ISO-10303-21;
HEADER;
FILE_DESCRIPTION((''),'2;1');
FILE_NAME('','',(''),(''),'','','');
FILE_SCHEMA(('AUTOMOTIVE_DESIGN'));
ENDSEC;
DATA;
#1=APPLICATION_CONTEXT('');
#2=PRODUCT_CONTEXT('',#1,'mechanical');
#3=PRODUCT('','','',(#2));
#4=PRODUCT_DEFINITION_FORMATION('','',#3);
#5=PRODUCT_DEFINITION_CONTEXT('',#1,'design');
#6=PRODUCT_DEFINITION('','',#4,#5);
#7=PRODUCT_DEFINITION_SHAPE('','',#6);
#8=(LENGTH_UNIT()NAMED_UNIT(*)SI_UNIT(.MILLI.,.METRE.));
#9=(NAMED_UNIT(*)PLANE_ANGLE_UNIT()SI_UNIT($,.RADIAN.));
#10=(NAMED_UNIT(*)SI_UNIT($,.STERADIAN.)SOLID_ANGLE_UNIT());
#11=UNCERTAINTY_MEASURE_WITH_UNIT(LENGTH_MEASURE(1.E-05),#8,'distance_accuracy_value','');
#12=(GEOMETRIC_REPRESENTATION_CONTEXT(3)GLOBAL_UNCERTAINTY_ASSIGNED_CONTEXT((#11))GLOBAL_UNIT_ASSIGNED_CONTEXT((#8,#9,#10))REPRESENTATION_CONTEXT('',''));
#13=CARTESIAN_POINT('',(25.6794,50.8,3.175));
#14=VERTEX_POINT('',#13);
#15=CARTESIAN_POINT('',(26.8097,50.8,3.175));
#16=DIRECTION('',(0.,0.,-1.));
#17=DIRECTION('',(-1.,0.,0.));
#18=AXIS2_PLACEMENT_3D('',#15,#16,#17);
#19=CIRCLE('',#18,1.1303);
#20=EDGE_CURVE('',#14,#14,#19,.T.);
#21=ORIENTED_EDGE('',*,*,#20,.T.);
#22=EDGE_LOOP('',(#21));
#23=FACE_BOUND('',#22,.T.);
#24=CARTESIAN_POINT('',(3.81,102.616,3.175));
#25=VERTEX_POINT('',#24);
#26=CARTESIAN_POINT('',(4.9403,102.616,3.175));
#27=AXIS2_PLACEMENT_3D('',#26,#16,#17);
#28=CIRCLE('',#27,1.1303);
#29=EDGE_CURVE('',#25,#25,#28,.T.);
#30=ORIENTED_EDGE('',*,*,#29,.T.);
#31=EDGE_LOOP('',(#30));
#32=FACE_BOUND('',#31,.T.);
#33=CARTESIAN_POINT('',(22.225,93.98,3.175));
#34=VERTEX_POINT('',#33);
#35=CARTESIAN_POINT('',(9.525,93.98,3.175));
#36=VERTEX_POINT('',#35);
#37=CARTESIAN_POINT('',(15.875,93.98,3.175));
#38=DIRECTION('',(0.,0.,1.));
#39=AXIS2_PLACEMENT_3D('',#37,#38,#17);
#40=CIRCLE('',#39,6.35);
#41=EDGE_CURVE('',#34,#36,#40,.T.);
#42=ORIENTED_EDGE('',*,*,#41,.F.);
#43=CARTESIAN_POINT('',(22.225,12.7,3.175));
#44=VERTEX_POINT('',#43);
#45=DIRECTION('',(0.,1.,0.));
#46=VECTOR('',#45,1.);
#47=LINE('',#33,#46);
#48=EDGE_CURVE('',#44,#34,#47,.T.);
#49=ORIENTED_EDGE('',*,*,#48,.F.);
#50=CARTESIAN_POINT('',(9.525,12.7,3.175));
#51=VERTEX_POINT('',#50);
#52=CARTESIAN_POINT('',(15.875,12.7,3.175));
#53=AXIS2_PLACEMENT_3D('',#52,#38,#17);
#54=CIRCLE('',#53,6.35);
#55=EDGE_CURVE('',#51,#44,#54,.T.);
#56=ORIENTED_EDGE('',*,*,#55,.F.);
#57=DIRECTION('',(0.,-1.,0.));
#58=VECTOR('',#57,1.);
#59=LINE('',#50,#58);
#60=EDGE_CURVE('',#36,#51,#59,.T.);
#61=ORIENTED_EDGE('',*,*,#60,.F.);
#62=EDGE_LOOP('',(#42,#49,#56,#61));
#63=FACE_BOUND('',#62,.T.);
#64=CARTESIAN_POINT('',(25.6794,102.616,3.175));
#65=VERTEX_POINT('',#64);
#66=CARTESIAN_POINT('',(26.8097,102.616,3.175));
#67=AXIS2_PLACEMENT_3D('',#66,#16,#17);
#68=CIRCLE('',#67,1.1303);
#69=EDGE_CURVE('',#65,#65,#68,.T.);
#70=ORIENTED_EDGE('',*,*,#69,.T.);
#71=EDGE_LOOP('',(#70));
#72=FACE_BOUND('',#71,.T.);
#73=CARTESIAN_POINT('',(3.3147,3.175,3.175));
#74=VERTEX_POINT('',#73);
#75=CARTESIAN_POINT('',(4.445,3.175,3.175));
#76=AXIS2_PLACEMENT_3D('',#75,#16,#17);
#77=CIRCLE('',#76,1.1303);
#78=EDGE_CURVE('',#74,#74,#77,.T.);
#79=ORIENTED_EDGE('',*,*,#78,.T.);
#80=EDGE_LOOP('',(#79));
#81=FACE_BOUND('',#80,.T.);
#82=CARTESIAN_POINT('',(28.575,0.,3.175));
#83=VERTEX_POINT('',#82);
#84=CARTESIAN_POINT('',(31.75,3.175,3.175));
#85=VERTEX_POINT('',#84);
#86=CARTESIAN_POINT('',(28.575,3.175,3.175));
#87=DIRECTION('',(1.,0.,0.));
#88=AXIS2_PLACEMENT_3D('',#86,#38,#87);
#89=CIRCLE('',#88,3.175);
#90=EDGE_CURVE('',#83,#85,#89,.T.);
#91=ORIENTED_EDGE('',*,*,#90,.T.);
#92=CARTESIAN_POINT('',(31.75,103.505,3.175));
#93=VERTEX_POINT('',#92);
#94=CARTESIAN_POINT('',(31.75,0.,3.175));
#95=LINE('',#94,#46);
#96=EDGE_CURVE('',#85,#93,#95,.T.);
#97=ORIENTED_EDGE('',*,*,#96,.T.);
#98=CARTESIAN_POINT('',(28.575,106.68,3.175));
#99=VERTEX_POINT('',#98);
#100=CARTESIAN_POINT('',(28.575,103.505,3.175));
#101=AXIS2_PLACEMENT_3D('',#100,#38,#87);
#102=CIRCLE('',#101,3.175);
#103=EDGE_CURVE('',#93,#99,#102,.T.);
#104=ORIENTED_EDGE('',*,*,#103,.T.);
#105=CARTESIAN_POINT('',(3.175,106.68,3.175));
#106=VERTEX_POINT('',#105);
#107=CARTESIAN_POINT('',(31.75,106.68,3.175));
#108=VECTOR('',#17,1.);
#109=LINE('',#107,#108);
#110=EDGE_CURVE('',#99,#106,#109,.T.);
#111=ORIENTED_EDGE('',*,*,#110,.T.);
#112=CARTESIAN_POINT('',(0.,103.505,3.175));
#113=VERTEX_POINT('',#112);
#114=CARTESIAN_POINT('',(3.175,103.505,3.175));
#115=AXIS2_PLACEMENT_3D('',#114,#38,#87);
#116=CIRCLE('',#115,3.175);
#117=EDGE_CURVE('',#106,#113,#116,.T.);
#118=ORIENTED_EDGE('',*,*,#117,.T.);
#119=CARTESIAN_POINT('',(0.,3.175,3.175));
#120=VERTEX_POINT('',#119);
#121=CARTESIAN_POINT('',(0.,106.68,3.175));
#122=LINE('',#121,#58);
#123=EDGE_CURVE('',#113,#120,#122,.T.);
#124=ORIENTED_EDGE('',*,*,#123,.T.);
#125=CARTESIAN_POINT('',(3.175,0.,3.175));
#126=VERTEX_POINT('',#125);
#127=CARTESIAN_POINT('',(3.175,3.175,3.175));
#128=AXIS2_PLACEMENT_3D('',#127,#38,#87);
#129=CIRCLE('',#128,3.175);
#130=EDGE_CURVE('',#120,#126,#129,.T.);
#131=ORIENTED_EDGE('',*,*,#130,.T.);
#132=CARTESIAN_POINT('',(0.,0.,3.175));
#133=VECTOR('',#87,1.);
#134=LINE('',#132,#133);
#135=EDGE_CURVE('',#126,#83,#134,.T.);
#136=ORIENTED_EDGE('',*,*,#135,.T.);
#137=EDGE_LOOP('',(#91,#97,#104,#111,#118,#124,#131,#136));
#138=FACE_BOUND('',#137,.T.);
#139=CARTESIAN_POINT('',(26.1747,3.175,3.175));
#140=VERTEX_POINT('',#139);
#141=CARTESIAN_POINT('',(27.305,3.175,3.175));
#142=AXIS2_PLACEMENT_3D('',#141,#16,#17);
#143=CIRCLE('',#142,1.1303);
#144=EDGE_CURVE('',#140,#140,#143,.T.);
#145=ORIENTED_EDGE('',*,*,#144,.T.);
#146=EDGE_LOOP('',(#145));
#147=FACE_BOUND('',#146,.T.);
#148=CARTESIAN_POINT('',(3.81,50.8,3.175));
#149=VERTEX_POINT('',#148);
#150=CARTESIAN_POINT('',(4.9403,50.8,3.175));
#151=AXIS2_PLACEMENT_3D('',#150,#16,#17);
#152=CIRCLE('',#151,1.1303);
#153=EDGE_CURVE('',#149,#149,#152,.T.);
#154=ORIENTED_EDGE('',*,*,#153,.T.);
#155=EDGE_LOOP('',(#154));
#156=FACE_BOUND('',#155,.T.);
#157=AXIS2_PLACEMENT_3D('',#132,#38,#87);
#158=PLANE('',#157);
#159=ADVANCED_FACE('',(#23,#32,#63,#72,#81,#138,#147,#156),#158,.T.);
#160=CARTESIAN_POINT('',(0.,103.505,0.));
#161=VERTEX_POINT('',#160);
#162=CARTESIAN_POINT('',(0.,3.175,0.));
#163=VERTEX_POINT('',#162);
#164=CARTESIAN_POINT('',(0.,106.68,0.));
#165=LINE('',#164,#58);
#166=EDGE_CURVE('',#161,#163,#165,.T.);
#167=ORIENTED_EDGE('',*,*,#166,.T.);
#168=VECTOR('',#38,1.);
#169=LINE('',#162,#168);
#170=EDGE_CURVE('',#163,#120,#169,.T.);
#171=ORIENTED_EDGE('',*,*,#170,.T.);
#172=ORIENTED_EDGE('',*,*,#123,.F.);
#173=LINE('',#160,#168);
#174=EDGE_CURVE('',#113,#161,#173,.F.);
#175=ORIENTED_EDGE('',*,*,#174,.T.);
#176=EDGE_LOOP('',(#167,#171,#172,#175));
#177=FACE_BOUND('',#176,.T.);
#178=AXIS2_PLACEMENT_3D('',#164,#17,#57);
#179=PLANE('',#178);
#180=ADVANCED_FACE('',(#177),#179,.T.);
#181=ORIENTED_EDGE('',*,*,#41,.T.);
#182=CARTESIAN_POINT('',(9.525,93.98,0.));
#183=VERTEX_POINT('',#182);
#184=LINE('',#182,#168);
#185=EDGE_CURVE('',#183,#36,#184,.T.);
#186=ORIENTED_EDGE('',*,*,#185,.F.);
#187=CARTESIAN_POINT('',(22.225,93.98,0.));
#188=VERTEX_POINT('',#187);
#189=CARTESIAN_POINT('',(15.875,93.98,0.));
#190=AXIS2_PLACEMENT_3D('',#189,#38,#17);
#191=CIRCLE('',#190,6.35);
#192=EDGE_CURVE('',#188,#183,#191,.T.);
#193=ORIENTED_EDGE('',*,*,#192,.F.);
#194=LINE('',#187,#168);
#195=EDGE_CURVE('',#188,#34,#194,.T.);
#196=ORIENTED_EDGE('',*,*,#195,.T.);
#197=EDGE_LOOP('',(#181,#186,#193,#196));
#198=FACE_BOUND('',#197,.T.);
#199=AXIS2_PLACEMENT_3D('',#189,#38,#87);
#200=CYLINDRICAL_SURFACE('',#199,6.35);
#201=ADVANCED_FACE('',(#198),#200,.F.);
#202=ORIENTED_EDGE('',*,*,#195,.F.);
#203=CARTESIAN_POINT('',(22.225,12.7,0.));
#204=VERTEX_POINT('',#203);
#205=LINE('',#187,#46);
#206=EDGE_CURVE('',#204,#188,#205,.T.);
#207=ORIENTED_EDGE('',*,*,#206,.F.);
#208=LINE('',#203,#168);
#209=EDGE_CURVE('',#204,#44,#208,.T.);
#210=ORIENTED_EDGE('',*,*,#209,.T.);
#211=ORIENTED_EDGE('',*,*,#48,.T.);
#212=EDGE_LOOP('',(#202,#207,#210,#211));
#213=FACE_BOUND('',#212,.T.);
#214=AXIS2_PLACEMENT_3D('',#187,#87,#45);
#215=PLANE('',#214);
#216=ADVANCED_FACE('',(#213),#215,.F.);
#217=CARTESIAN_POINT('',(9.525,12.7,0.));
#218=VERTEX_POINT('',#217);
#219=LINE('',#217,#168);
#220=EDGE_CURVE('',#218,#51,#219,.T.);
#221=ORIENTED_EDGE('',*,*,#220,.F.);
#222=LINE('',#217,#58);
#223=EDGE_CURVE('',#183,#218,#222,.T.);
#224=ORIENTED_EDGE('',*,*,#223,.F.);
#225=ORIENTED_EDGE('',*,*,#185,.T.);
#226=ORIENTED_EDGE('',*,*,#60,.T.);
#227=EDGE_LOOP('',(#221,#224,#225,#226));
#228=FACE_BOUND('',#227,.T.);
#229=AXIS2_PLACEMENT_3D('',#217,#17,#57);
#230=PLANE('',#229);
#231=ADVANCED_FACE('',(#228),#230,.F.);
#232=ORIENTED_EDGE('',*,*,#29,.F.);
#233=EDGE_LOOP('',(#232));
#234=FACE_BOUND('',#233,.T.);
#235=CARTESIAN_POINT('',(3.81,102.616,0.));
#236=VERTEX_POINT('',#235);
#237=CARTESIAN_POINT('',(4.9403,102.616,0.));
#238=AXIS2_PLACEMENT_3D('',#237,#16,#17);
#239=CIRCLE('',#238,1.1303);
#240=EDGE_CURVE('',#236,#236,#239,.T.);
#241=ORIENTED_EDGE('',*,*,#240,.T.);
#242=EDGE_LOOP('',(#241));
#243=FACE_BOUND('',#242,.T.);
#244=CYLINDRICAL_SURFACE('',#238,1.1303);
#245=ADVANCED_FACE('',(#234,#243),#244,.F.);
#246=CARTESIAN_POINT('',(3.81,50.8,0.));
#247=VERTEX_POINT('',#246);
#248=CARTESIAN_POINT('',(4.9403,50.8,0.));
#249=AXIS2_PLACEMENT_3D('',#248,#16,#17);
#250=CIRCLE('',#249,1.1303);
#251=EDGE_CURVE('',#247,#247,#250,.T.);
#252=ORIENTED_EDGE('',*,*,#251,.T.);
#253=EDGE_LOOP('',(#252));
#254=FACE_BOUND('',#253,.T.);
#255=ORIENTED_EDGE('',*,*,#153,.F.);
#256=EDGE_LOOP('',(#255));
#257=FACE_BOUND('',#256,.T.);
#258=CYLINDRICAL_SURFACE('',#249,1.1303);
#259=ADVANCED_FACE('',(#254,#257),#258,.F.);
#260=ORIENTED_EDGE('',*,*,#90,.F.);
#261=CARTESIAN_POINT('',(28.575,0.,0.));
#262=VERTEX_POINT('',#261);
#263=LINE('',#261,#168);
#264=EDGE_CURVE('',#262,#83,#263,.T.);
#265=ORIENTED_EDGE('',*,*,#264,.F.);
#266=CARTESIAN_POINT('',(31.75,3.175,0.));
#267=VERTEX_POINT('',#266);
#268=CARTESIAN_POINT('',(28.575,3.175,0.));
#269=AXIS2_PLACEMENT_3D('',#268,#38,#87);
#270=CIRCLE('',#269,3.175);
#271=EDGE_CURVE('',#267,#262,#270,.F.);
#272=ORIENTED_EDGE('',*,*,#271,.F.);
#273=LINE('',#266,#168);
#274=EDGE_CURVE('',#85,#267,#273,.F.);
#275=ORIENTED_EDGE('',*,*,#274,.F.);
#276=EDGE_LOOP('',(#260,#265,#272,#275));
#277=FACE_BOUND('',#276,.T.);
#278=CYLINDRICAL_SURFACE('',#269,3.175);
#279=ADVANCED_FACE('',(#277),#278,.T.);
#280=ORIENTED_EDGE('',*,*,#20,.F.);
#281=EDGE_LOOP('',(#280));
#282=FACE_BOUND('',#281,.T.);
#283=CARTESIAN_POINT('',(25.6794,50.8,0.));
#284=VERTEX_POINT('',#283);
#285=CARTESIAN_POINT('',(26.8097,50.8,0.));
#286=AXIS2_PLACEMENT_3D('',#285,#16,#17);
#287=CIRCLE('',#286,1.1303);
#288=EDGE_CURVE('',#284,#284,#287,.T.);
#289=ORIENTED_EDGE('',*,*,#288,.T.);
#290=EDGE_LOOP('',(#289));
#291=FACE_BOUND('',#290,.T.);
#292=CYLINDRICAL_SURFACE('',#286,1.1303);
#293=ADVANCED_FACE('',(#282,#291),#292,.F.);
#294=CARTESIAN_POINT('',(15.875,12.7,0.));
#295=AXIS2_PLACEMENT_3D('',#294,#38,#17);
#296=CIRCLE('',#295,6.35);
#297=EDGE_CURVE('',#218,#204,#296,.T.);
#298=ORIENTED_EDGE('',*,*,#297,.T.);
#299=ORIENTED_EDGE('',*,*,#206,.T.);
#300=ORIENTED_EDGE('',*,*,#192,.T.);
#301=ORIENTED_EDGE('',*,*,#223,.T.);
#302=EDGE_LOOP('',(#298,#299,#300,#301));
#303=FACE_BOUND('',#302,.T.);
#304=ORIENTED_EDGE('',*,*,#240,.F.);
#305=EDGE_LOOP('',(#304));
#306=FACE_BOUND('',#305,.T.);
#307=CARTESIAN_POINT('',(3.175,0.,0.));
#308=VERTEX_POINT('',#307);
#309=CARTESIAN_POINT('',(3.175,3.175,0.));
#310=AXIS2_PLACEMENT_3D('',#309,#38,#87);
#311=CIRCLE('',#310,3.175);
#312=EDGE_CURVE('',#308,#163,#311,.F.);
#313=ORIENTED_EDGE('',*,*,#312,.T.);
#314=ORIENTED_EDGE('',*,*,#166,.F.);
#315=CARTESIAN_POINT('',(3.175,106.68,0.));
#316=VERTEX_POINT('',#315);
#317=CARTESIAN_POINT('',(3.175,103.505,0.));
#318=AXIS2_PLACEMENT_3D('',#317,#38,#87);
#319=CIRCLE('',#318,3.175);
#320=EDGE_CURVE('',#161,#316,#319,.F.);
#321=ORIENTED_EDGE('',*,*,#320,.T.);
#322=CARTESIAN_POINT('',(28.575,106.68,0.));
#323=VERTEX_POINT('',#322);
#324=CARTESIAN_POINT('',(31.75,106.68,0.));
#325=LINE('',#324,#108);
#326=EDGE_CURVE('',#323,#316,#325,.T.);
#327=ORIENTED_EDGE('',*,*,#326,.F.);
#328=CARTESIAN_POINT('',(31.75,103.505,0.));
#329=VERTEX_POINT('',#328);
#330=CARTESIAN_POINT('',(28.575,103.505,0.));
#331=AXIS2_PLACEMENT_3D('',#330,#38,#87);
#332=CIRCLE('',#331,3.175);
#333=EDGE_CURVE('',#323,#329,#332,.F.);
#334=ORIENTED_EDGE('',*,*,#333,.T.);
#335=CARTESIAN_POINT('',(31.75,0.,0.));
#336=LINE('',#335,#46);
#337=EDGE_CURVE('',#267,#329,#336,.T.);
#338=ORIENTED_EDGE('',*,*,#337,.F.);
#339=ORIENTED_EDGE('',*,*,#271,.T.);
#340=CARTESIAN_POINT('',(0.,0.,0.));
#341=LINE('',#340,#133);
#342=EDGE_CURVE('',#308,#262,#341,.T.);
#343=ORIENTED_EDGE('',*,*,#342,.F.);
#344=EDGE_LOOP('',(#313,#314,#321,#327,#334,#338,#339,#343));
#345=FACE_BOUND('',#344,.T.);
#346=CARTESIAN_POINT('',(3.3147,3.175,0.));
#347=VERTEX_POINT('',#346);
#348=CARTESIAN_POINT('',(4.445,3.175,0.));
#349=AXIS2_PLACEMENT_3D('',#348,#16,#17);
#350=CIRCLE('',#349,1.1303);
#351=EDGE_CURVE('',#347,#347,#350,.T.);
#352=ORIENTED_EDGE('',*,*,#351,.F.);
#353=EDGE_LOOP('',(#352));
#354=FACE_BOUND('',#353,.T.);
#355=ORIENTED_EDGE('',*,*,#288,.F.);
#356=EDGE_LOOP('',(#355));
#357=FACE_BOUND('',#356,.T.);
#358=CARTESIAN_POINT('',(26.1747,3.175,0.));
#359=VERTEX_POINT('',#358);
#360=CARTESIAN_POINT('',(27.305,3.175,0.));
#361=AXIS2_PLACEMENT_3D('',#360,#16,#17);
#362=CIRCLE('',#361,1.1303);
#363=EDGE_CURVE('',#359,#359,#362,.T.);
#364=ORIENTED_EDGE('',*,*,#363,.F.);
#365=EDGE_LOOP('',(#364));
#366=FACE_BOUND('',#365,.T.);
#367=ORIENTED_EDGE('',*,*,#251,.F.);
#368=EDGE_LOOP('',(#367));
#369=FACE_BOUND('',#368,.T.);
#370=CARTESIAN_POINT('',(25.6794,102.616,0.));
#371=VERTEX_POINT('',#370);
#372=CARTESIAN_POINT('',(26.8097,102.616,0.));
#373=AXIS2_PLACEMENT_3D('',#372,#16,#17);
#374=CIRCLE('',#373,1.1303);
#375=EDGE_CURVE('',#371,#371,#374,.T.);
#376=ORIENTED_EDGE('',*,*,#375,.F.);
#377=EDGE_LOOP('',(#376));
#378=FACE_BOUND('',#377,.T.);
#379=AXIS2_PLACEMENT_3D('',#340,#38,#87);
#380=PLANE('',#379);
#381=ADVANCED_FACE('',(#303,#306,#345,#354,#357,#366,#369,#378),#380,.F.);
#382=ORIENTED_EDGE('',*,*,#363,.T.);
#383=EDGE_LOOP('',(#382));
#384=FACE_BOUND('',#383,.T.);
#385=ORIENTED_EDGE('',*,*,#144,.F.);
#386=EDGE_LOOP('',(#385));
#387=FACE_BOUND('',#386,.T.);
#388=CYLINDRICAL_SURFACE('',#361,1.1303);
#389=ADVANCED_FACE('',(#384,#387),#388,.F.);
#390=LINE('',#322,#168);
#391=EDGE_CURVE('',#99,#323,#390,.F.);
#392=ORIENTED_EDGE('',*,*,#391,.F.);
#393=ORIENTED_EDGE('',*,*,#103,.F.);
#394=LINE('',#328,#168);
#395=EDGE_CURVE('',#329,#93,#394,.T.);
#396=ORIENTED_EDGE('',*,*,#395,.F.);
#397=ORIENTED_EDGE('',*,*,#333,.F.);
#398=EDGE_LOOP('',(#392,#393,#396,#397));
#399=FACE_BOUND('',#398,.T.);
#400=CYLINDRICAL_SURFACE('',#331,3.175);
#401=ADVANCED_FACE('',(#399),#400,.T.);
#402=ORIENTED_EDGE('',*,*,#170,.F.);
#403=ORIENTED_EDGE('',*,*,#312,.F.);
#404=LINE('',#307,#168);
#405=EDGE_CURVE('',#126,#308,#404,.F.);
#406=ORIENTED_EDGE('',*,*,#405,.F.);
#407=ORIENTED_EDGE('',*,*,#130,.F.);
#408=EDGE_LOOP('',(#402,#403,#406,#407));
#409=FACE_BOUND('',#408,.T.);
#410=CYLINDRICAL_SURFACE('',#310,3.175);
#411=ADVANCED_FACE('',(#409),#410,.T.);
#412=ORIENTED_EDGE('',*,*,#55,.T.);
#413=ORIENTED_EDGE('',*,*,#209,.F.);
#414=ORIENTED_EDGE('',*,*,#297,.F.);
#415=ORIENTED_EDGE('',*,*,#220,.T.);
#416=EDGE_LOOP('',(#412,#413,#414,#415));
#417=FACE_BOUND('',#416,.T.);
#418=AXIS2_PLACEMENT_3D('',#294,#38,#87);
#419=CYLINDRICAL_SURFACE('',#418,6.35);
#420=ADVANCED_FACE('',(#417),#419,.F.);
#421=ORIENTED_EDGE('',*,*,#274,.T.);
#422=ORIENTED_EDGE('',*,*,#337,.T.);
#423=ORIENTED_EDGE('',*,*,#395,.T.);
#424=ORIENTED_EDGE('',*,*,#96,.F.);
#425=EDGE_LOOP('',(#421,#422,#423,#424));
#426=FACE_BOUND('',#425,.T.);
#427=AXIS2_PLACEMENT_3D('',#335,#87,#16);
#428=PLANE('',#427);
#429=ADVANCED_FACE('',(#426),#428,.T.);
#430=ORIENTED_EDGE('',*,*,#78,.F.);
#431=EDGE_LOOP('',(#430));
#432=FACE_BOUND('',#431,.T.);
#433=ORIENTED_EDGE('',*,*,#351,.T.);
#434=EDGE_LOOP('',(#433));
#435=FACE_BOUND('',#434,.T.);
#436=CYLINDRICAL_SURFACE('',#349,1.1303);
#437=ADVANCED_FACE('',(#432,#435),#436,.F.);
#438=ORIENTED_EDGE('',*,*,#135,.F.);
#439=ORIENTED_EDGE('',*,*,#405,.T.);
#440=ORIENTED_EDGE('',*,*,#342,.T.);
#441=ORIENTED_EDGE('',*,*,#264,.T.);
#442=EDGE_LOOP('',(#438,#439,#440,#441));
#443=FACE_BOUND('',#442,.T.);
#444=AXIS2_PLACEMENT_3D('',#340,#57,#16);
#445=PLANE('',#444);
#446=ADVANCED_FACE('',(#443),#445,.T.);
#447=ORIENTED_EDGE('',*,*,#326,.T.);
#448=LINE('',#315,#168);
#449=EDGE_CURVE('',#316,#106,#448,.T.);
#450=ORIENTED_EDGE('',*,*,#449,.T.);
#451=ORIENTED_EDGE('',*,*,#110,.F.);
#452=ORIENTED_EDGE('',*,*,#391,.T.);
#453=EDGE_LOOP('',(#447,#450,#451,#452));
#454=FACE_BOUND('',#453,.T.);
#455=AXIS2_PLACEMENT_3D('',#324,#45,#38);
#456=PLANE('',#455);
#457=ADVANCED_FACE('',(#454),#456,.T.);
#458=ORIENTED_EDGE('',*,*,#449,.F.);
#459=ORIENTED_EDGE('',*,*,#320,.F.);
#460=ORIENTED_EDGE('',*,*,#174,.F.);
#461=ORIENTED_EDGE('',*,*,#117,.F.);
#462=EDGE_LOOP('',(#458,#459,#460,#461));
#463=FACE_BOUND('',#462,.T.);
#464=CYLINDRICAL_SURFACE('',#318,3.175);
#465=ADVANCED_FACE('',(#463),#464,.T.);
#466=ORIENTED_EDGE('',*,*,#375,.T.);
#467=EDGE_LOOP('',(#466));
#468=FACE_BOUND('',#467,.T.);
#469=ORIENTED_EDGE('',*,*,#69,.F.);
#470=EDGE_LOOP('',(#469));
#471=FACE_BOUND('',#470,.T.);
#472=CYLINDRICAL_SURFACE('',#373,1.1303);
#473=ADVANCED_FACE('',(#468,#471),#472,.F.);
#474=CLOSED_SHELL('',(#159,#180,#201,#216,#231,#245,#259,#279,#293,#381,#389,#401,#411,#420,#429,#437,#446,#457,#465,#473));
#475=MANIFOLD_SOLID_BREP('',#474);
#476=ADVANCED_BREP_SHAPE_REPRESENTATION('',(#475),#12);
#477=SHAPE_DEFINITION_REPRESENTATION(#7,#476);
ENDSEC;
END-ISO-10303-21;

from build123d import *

# Parameters (mm, degrees)
SKETCH1_W             = 31.75
SKETCH1_H             = 106.68
BOSS_EXTRUDE1_DEPTH   = 3.175
FILLET1_R             = 3.175
F_4_40_TAPPED_HOLE1_D = 2.2606


with BuildPart() as part:
    # Sketch1 → Boss-Extrude1 (new body)
    with BuildSketch(Plane.XY.offset(3.175)):
        with Locations((15.875, 53.34)):
            Rectangle(SKETCH1_W, SKETCH1_H)
        with BuildLine():
            Line((22.225, 93.98), (22.225, 12.7))
            ThreePointArc((22.225, 12.7), (15.875, 6.35), (9.525, 12.7))
            Line((9.525, 12.7), (9.525, 93.98))
            ThreePointArc((9.525, 93.98), (15.875, 100.33), (22.225, 93.98))
        make_face(mode=Mode.SUBTRACT)
    extrude(amount=-BOSS_EXTRUDE1_DEPTH)

    # Fillet1
    fillet1_edges = [part.edges().sort_by_distance(p)[0] for p in [
        (0, 0, 1.5875),
        (0, 106.68, 1.5875),
        (31.75, 106.68, 1.5875),
        (31.75, 0, 1.5875),
    ]]
    fillet(fillet1_edges, radius=FILLET1_R)

    # #4-40 Tapped Hole1 (through all)
    with Locations(Plane(origin=(0, 0, 0), x_dir=(-1, 0, 0), z_dir=(0, 0, -1))):
        with Locations((-4.445, 3.175), (-4.9403, 50.8), (-27.305, 3.175), (-26.8097, 50.8), (-26.8097, 102.616), (-4.9403, 102.616)):
            Hole(F_4_40_TAPPED_HOLE1_D / 2)


solid = part.part
